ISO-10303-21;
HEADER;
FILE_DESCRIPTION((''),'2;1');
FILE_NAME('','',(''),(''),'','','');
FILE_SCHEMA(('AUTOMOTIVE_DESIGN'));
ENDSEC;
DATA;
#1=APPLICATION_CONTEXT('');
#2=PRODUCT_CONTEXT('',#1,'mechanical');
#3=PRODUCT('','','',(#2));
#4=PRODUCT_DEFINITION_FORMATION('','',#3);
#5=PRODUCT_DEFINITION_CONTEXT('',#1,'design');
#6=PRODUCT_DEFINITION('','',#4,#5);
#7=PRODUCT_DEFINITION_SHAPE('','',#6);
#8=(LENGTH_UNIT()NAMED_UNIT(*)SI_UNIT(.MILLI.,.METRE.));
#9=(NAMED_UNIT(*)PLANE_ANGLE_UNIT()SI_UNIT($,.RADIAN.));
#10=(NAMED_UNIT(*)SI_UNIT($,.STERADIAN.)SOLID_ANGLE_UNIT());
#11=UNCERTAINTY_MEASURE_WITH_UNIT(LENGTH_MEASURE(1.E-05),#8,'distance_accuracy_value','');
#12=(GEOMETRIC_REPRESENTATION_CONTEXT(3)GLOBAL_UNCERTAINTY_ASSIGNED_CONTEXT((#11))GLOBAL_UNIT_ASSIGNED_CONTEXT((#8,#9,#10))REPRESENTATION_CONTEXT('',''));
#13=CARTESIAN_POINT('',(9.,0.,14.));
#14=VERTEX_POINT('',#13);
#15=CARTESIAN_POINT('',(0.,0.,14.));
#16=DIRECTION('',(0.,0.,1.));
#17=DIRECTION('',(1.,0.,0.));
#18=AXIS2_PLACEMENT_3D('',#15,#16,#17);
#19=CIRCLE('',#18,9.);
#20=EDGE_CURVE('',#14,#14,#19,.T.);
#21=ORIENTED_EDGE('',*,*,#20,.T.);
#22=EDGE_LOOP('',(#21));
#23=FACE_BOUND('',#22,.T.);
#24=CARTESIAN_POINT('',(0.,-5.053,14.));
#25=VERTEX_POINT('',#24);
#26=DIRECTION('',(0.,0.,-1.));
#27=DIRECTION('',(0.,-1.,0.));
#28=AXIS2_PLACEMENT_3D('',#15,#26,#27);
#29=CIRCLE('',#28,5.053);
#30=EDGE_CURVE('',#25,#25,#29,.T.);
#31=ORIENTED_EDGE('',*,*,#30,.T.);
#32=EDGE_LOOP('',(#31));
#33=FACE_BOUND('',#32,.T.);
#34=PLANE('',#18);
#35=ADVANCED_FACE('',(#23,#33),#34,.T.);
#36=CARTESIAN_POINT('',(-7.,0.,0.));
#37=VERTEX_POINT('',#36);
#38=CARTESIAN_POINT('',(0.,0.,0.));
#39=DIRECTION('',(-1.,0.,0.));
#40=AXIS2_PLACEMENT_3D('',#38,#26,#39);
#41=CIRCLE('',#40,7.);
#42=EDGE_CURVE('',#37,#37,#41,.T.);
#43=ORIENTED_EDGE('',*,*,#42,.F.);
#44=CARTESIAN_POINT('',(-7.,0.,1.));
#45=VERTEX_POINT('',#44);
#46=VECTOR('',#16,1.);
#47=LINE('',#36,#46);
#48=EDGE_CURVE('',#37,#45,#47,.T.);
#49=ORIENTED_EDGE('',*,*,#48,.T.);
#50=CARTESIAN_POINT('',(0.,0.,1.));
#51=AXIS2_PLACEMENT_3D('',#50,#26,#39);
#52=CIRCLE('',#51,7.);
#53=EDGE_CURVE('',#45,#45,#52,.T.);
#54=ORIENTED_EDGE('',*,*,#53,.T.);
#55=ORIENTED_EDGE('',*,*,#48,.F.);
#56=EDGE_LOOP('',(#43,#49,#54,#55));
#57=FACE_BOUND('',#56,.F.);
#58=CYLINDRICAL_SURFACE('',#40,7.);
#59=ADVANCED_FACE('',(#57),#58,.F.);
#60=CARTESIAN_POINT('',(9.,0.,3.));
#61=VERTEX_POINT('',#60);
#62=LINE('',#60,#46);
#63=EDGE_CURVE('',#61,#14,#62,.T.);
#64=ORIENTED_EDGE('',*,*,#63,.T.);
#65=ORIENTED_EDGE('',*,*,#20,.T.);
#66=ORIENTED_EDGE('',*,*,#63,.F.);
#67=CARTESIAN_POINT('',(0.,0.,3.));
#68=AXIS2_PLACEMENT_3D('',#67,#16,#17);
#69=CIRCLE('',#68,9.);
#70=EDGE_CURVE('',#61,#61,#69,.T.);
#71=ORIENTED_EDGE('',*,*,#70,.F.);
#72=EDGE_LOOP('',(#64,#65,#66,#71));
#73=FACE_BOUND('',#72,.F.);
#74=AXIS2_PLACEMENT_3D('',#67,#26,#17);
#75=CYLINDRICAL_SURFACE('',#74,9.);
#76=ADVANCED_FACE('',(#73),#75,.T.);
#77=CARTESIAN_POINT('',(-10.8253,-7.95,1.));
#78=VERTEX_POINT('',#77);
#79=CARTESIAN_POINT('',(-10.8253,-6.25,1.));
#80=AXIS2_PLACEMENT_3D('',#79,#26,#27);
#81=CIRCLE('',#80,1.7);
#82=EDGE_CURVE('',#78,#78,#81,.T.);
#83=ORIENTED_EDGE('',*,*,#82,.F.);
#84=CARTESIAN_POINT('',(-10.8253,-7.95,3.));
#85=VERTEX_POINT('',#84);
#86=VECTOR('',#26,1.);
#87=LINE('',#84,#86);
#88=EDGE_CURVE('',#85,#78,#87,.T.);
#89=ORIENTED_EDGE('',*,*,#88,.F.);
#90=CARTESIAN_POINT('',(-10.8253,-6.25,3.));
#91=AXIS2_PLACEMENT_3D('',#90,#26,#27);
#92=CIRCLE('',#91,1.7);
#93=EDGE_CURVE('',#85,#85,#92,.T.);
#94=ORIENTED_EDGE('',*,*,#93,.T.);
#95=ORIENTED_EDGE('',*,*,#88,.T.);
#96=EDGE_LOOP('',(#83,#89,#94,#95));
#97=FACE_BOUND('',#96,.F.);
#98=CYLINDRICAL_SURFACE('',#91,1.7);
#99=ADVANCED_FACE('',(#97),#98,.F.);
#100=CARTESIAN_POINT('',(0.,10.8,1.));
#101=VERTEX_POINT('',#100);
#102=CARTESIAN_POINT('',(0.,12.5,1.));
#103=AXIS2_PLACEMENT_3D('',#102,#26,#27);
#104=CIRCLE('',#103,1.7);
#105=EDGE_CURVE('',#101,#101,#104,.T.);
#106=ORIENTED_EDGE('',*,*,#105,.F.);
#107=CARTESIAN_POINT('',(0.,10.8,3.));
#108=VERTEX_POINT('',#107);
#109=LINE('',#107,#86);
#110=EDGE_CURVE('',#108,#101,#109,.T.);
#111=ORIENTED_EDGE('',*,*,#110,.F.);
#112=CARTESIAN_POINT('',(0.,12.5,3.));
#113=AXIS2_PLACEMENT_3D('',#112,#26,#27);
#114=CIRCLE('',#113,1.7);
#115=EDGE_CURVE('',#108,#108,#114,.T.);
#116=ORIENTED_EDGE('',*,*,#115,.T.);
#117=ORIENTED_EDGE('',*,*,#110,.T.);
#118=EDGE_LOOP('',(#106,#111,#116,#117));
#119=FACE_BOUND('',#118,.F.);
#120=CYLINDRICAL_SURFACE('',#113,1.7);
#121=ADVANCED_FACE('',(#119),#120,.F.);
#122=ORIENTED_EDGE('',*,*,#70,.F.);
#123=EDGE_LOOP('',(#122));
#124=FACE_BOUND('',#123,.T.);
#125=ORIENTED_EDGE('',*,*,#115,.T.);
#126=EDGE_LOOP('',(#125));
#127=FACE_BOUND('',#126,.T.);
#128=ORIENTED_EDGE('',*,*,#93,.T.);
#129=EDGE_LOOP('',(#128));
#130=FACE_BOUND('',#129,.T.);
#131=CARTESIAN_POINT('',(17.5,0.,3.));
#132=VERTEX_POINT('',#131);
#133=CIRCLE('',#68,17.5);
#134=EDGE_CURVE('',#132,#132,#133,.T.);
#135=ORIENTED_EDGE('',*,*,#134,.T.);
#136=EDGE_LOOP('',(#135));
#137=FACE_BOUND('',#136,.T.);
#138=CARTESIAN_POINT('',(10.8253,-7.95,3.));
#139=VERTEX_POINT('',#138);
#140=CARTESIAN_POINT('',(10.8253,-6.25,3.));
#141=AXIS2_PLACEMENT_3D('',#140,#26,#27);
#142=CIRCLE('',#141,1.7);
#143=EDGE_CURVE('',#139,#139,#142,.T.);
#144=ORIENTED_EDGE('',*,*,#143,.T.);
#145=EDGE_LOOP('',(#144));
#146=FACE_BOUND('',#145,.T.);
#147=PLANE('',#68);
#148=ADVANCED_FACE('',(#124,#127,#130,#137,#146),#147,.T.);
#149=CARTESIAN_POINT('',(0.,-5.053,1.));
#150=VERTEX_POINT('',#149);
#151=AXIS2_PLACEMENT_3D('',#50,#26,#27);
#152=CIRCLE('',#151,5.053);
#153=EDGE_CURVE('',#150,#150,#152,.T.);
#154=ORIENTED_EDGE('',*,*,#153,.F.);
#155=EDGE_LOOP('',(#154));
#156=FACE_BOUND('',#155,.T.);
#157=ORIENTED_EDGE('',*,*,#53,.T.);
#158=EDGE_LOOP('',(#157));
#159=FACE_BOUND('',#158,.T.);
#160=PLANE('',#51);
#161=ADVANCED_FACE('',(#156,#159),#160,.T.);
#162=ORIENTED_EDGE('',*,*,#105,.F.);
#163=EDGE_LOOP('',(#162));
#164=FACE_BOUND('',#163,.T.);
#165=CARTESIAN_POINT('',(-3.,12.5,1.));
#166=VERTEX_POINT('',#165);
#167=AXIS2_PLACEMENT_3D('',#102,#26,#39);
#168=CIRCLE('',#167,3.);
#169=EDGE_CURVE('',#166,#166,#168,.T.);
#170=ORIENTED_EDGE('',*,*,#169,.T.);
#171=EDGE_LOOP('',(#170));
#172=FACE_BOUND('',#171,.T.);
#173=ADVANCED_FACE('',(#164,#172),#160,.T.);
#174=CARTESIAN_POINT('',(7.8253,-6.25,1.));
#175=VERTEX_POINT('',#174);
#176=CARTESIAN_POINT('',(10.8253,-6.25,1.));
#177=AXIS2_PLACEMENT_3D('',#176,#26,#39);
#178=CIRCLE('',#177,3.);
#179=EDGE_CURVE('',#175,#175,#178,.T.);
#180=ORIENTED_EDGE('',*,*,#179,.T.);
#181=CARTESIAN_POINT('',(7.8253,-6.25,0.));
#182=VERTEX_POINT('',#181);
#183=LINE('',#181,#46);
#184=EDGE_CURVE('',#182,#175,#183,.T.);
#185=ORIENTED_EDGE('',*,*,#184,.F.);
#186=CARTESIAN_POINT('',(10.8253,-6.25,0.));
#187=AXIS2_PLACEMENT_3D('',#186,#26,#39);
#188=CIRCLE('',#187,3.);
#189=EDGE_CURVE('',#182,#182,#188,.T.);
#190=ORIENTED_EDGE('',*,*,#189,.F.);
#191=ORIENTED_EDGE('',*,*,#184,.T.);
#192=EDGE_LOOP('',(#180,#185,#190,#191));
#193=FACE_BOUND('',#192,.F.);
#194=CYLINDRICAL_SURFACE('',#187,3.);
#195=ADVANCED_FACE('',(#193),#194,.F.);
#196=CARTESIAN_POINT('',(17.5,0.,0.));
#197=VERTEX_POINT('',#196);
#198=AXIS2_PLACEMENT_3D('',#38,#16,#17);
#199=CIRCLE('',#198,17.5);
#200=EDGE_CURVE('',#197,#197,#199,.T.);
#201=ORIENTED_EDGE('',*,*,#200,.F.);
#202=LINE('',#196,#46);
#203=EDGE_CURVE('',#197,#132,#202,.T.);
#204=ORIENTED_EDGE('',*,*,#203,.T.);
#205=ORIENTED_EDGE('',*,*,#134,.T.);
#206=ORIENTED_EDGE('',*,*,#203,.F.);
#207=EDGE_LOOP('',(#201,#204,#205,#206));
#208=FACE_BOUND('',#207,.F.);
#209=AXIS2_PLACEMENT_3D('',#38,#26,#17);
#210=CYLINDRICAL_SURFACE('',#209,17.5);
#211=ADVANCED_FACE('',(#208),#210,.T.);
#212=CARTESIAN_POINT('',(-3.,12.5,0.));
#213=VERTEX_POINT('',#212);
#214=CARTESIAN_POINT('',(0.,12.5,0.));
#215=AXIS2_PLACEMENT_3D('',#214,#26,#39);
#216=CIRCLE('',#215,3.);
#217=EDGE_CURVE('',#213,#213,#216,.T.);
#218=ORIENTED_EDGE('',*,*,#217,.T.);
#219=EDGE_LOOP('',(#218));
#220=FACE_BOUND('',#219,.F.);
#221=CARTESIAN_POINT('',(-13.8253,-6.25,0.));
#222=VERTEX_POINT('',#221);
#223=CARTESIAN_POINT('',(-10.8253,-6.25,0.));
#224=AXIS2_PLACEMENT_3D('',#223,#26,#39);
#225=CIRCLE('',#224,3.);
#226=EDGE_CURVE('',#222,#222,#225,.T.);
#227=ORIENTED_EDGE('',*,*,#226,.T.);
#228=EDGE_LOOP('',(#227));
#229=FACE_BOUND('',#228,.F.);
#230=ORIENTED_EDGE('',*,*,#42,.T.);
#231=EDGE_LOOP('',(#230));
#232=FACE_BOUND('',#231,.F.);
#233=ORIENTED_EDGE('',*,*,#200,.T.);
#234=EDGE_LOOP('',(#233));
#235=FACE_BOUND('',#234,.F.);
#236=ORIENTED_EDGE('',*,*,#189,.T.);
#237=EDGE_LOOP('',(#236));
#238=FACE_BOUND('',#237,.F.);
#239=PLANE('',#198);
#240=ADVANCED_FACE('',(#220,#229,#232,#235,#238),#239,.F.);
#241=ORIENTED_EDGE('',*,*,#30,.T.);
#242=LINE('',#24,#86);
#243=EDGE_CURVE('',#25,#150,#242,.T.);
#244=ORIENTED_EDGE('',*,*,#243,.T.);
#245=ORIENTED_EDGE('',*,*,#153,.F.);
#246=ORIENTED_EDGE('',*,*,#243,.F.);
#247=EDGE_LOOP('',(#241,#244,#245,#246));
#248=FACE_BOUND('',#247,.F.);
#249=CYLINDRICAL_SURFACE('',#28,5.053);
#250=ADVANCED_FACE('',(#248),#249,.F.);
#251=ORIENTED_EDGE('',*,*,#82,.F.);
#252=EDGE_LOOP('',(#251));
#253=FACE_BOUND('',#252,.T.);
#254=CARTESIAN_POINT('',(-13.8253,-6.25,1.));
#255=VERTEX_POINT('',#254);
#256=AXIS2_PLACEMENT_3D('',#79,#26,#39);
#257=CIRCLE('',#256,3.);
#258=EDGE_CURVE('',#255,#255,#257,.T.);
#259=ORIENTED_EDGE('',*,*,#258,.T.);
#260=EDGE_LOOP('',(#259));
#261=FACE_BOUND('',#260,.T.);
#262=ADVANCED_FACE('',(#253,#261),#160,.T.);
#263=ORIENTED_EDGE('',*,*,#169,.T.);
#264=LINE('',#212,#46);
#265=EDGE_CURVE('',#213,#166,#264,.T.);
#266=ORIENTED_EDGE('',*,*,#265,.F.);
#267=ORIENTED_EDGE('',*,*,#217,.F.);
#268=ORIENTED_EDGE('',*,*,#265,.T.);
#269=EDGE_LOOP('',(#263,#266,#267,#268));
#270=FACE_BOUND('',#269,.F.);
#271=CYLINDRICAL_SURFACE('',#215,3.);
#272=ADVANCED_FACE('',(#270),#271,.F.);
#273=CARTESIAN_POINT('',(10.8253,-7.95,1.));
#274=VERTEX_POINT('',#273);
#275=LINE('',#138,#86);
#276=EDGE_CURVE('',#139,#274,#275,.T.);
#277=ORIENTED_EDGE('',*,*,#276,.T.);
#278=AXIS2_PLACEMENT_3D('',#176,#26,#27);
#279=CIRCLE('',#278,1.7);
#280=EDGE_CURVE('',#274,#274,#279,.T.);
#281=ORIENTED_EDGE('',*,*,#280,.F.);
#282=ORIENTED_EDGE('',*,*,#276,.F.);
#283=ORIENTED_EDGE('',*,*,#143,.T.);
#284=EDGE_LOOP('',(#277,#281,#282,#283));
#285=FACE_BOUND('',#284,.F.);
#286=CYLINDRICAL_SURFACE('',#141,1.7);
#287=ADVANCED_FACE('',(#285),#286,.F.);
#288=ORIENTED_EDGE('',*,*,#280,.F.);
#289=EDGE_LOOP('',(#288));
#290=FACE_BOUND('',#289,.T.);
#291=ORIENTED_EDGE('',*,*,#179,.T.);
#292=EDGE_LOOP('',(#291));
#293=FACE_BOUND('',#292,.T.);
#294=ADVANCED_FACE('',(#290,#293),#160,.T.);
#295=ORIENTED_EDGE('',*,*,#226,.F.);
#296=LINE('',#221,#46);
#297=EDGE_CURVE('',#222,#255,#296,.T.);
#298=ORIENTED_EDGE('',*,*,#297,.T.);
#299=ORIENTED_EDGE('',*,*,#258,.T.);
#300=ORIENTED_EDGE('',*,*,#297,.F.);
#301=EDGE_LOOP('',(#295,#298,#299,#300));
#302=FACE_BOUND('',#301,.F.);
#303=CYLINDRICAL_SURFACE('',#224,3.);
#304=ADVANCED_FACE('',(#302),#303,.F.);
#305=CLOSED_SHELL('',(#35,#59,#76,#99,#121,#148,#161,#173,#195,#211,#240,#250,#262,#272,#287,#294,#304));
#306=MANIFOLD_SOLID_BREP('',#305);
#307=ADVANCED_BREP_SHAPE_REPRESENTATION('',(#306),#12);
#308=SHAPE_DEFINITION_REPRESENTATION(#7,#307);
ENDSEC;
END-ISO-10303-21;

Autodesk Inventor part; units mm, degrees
ref_plane "YZ Plane" through (0, 0, 0) normal (1, 0, 0) x (0, 1, 0)
ref_plane "XZ Plane" through (0, 0, 0) normal (0, 1, 0) x (-1, 0, 0)
ref_plane "XY Plane" through (0, 0, 0) normal (0, 0, 1) x (1, 0, 0)
sketch "スケッチ1" plane through (0, 0, 0) normal (0, 0, 1) x (1, 0, 0)
  circle A0 centre (0, 0) radius 17.5
  dimension "d0" = 35
extrude "押し出し1" add sketch "スケッチ1" along normal blind 3
sketch "スケッチ2" plane through (0, 0, 3) normal (0, 0, 1) x (1, 0, 0)
  circle A0 centre (0, 0) radius 9
  dimension "d3" = 18
extrude "押し出し2" add sketch "スケッチ2" along normal blind 11
sketch "スケッチ3" plane through (0, 0, 14) normal (0, 0, 1) x (1, 0, 0)
  point P0 (0, 0)
  point P1 (0, 0)
hole "穴1" at (0, 0, 14) direction (0, 0, -1) diameter 10.106 end through all thread size "M12x1.75" class "6H" standard "ISO Metric profile"
sketch "スケッチ5" plane through (0, 0, 0) normal (0, 0, -1) x (-1, 0, 0)
  circle A0 centre (0, 0) radius 7
  dimension "d25" = 14
extrude "押し出し3" cut sketch "スケッチ5" against normal blind 1
sketch "スケッチ8" plane through (0, 0, 3) normal (0, 0, 1) x (1, 0, 0)
  point P0 (0, 0)
  point P1 (0, 12.5)
  point P2 (-10.8253, -6.25)
  point P3 (10.8253, -6.25)
  dimension "d47" = 12.5
  dimension "d50" = 360
hole "穴4" at (0, 12.5, 3) at (-10.8253, -6.25, 3) at (10.8253, -6.25, 3) direction (0, 0, -1) diameter 3.4 end through all
sketch "スケッチ9" plane through (0, 0, 0) normal (0, 0, -1) x (-1, 0, 0)
  circle A0 centre (0, 12.5) radius 3
  circle A1 centre (-10.8253, -6.25) radius 3
  circle A2 centre (10.8253, -6.25) radius 3
  point P0 (0, 0)
  dimension "d59" = 6
  dimension "d60" = 12.5
  dimension "d63" = 360
extrude "押し出し5" cut sketch "スケッチ9" against normal blind 1
properties part number "製図規定課題2"
